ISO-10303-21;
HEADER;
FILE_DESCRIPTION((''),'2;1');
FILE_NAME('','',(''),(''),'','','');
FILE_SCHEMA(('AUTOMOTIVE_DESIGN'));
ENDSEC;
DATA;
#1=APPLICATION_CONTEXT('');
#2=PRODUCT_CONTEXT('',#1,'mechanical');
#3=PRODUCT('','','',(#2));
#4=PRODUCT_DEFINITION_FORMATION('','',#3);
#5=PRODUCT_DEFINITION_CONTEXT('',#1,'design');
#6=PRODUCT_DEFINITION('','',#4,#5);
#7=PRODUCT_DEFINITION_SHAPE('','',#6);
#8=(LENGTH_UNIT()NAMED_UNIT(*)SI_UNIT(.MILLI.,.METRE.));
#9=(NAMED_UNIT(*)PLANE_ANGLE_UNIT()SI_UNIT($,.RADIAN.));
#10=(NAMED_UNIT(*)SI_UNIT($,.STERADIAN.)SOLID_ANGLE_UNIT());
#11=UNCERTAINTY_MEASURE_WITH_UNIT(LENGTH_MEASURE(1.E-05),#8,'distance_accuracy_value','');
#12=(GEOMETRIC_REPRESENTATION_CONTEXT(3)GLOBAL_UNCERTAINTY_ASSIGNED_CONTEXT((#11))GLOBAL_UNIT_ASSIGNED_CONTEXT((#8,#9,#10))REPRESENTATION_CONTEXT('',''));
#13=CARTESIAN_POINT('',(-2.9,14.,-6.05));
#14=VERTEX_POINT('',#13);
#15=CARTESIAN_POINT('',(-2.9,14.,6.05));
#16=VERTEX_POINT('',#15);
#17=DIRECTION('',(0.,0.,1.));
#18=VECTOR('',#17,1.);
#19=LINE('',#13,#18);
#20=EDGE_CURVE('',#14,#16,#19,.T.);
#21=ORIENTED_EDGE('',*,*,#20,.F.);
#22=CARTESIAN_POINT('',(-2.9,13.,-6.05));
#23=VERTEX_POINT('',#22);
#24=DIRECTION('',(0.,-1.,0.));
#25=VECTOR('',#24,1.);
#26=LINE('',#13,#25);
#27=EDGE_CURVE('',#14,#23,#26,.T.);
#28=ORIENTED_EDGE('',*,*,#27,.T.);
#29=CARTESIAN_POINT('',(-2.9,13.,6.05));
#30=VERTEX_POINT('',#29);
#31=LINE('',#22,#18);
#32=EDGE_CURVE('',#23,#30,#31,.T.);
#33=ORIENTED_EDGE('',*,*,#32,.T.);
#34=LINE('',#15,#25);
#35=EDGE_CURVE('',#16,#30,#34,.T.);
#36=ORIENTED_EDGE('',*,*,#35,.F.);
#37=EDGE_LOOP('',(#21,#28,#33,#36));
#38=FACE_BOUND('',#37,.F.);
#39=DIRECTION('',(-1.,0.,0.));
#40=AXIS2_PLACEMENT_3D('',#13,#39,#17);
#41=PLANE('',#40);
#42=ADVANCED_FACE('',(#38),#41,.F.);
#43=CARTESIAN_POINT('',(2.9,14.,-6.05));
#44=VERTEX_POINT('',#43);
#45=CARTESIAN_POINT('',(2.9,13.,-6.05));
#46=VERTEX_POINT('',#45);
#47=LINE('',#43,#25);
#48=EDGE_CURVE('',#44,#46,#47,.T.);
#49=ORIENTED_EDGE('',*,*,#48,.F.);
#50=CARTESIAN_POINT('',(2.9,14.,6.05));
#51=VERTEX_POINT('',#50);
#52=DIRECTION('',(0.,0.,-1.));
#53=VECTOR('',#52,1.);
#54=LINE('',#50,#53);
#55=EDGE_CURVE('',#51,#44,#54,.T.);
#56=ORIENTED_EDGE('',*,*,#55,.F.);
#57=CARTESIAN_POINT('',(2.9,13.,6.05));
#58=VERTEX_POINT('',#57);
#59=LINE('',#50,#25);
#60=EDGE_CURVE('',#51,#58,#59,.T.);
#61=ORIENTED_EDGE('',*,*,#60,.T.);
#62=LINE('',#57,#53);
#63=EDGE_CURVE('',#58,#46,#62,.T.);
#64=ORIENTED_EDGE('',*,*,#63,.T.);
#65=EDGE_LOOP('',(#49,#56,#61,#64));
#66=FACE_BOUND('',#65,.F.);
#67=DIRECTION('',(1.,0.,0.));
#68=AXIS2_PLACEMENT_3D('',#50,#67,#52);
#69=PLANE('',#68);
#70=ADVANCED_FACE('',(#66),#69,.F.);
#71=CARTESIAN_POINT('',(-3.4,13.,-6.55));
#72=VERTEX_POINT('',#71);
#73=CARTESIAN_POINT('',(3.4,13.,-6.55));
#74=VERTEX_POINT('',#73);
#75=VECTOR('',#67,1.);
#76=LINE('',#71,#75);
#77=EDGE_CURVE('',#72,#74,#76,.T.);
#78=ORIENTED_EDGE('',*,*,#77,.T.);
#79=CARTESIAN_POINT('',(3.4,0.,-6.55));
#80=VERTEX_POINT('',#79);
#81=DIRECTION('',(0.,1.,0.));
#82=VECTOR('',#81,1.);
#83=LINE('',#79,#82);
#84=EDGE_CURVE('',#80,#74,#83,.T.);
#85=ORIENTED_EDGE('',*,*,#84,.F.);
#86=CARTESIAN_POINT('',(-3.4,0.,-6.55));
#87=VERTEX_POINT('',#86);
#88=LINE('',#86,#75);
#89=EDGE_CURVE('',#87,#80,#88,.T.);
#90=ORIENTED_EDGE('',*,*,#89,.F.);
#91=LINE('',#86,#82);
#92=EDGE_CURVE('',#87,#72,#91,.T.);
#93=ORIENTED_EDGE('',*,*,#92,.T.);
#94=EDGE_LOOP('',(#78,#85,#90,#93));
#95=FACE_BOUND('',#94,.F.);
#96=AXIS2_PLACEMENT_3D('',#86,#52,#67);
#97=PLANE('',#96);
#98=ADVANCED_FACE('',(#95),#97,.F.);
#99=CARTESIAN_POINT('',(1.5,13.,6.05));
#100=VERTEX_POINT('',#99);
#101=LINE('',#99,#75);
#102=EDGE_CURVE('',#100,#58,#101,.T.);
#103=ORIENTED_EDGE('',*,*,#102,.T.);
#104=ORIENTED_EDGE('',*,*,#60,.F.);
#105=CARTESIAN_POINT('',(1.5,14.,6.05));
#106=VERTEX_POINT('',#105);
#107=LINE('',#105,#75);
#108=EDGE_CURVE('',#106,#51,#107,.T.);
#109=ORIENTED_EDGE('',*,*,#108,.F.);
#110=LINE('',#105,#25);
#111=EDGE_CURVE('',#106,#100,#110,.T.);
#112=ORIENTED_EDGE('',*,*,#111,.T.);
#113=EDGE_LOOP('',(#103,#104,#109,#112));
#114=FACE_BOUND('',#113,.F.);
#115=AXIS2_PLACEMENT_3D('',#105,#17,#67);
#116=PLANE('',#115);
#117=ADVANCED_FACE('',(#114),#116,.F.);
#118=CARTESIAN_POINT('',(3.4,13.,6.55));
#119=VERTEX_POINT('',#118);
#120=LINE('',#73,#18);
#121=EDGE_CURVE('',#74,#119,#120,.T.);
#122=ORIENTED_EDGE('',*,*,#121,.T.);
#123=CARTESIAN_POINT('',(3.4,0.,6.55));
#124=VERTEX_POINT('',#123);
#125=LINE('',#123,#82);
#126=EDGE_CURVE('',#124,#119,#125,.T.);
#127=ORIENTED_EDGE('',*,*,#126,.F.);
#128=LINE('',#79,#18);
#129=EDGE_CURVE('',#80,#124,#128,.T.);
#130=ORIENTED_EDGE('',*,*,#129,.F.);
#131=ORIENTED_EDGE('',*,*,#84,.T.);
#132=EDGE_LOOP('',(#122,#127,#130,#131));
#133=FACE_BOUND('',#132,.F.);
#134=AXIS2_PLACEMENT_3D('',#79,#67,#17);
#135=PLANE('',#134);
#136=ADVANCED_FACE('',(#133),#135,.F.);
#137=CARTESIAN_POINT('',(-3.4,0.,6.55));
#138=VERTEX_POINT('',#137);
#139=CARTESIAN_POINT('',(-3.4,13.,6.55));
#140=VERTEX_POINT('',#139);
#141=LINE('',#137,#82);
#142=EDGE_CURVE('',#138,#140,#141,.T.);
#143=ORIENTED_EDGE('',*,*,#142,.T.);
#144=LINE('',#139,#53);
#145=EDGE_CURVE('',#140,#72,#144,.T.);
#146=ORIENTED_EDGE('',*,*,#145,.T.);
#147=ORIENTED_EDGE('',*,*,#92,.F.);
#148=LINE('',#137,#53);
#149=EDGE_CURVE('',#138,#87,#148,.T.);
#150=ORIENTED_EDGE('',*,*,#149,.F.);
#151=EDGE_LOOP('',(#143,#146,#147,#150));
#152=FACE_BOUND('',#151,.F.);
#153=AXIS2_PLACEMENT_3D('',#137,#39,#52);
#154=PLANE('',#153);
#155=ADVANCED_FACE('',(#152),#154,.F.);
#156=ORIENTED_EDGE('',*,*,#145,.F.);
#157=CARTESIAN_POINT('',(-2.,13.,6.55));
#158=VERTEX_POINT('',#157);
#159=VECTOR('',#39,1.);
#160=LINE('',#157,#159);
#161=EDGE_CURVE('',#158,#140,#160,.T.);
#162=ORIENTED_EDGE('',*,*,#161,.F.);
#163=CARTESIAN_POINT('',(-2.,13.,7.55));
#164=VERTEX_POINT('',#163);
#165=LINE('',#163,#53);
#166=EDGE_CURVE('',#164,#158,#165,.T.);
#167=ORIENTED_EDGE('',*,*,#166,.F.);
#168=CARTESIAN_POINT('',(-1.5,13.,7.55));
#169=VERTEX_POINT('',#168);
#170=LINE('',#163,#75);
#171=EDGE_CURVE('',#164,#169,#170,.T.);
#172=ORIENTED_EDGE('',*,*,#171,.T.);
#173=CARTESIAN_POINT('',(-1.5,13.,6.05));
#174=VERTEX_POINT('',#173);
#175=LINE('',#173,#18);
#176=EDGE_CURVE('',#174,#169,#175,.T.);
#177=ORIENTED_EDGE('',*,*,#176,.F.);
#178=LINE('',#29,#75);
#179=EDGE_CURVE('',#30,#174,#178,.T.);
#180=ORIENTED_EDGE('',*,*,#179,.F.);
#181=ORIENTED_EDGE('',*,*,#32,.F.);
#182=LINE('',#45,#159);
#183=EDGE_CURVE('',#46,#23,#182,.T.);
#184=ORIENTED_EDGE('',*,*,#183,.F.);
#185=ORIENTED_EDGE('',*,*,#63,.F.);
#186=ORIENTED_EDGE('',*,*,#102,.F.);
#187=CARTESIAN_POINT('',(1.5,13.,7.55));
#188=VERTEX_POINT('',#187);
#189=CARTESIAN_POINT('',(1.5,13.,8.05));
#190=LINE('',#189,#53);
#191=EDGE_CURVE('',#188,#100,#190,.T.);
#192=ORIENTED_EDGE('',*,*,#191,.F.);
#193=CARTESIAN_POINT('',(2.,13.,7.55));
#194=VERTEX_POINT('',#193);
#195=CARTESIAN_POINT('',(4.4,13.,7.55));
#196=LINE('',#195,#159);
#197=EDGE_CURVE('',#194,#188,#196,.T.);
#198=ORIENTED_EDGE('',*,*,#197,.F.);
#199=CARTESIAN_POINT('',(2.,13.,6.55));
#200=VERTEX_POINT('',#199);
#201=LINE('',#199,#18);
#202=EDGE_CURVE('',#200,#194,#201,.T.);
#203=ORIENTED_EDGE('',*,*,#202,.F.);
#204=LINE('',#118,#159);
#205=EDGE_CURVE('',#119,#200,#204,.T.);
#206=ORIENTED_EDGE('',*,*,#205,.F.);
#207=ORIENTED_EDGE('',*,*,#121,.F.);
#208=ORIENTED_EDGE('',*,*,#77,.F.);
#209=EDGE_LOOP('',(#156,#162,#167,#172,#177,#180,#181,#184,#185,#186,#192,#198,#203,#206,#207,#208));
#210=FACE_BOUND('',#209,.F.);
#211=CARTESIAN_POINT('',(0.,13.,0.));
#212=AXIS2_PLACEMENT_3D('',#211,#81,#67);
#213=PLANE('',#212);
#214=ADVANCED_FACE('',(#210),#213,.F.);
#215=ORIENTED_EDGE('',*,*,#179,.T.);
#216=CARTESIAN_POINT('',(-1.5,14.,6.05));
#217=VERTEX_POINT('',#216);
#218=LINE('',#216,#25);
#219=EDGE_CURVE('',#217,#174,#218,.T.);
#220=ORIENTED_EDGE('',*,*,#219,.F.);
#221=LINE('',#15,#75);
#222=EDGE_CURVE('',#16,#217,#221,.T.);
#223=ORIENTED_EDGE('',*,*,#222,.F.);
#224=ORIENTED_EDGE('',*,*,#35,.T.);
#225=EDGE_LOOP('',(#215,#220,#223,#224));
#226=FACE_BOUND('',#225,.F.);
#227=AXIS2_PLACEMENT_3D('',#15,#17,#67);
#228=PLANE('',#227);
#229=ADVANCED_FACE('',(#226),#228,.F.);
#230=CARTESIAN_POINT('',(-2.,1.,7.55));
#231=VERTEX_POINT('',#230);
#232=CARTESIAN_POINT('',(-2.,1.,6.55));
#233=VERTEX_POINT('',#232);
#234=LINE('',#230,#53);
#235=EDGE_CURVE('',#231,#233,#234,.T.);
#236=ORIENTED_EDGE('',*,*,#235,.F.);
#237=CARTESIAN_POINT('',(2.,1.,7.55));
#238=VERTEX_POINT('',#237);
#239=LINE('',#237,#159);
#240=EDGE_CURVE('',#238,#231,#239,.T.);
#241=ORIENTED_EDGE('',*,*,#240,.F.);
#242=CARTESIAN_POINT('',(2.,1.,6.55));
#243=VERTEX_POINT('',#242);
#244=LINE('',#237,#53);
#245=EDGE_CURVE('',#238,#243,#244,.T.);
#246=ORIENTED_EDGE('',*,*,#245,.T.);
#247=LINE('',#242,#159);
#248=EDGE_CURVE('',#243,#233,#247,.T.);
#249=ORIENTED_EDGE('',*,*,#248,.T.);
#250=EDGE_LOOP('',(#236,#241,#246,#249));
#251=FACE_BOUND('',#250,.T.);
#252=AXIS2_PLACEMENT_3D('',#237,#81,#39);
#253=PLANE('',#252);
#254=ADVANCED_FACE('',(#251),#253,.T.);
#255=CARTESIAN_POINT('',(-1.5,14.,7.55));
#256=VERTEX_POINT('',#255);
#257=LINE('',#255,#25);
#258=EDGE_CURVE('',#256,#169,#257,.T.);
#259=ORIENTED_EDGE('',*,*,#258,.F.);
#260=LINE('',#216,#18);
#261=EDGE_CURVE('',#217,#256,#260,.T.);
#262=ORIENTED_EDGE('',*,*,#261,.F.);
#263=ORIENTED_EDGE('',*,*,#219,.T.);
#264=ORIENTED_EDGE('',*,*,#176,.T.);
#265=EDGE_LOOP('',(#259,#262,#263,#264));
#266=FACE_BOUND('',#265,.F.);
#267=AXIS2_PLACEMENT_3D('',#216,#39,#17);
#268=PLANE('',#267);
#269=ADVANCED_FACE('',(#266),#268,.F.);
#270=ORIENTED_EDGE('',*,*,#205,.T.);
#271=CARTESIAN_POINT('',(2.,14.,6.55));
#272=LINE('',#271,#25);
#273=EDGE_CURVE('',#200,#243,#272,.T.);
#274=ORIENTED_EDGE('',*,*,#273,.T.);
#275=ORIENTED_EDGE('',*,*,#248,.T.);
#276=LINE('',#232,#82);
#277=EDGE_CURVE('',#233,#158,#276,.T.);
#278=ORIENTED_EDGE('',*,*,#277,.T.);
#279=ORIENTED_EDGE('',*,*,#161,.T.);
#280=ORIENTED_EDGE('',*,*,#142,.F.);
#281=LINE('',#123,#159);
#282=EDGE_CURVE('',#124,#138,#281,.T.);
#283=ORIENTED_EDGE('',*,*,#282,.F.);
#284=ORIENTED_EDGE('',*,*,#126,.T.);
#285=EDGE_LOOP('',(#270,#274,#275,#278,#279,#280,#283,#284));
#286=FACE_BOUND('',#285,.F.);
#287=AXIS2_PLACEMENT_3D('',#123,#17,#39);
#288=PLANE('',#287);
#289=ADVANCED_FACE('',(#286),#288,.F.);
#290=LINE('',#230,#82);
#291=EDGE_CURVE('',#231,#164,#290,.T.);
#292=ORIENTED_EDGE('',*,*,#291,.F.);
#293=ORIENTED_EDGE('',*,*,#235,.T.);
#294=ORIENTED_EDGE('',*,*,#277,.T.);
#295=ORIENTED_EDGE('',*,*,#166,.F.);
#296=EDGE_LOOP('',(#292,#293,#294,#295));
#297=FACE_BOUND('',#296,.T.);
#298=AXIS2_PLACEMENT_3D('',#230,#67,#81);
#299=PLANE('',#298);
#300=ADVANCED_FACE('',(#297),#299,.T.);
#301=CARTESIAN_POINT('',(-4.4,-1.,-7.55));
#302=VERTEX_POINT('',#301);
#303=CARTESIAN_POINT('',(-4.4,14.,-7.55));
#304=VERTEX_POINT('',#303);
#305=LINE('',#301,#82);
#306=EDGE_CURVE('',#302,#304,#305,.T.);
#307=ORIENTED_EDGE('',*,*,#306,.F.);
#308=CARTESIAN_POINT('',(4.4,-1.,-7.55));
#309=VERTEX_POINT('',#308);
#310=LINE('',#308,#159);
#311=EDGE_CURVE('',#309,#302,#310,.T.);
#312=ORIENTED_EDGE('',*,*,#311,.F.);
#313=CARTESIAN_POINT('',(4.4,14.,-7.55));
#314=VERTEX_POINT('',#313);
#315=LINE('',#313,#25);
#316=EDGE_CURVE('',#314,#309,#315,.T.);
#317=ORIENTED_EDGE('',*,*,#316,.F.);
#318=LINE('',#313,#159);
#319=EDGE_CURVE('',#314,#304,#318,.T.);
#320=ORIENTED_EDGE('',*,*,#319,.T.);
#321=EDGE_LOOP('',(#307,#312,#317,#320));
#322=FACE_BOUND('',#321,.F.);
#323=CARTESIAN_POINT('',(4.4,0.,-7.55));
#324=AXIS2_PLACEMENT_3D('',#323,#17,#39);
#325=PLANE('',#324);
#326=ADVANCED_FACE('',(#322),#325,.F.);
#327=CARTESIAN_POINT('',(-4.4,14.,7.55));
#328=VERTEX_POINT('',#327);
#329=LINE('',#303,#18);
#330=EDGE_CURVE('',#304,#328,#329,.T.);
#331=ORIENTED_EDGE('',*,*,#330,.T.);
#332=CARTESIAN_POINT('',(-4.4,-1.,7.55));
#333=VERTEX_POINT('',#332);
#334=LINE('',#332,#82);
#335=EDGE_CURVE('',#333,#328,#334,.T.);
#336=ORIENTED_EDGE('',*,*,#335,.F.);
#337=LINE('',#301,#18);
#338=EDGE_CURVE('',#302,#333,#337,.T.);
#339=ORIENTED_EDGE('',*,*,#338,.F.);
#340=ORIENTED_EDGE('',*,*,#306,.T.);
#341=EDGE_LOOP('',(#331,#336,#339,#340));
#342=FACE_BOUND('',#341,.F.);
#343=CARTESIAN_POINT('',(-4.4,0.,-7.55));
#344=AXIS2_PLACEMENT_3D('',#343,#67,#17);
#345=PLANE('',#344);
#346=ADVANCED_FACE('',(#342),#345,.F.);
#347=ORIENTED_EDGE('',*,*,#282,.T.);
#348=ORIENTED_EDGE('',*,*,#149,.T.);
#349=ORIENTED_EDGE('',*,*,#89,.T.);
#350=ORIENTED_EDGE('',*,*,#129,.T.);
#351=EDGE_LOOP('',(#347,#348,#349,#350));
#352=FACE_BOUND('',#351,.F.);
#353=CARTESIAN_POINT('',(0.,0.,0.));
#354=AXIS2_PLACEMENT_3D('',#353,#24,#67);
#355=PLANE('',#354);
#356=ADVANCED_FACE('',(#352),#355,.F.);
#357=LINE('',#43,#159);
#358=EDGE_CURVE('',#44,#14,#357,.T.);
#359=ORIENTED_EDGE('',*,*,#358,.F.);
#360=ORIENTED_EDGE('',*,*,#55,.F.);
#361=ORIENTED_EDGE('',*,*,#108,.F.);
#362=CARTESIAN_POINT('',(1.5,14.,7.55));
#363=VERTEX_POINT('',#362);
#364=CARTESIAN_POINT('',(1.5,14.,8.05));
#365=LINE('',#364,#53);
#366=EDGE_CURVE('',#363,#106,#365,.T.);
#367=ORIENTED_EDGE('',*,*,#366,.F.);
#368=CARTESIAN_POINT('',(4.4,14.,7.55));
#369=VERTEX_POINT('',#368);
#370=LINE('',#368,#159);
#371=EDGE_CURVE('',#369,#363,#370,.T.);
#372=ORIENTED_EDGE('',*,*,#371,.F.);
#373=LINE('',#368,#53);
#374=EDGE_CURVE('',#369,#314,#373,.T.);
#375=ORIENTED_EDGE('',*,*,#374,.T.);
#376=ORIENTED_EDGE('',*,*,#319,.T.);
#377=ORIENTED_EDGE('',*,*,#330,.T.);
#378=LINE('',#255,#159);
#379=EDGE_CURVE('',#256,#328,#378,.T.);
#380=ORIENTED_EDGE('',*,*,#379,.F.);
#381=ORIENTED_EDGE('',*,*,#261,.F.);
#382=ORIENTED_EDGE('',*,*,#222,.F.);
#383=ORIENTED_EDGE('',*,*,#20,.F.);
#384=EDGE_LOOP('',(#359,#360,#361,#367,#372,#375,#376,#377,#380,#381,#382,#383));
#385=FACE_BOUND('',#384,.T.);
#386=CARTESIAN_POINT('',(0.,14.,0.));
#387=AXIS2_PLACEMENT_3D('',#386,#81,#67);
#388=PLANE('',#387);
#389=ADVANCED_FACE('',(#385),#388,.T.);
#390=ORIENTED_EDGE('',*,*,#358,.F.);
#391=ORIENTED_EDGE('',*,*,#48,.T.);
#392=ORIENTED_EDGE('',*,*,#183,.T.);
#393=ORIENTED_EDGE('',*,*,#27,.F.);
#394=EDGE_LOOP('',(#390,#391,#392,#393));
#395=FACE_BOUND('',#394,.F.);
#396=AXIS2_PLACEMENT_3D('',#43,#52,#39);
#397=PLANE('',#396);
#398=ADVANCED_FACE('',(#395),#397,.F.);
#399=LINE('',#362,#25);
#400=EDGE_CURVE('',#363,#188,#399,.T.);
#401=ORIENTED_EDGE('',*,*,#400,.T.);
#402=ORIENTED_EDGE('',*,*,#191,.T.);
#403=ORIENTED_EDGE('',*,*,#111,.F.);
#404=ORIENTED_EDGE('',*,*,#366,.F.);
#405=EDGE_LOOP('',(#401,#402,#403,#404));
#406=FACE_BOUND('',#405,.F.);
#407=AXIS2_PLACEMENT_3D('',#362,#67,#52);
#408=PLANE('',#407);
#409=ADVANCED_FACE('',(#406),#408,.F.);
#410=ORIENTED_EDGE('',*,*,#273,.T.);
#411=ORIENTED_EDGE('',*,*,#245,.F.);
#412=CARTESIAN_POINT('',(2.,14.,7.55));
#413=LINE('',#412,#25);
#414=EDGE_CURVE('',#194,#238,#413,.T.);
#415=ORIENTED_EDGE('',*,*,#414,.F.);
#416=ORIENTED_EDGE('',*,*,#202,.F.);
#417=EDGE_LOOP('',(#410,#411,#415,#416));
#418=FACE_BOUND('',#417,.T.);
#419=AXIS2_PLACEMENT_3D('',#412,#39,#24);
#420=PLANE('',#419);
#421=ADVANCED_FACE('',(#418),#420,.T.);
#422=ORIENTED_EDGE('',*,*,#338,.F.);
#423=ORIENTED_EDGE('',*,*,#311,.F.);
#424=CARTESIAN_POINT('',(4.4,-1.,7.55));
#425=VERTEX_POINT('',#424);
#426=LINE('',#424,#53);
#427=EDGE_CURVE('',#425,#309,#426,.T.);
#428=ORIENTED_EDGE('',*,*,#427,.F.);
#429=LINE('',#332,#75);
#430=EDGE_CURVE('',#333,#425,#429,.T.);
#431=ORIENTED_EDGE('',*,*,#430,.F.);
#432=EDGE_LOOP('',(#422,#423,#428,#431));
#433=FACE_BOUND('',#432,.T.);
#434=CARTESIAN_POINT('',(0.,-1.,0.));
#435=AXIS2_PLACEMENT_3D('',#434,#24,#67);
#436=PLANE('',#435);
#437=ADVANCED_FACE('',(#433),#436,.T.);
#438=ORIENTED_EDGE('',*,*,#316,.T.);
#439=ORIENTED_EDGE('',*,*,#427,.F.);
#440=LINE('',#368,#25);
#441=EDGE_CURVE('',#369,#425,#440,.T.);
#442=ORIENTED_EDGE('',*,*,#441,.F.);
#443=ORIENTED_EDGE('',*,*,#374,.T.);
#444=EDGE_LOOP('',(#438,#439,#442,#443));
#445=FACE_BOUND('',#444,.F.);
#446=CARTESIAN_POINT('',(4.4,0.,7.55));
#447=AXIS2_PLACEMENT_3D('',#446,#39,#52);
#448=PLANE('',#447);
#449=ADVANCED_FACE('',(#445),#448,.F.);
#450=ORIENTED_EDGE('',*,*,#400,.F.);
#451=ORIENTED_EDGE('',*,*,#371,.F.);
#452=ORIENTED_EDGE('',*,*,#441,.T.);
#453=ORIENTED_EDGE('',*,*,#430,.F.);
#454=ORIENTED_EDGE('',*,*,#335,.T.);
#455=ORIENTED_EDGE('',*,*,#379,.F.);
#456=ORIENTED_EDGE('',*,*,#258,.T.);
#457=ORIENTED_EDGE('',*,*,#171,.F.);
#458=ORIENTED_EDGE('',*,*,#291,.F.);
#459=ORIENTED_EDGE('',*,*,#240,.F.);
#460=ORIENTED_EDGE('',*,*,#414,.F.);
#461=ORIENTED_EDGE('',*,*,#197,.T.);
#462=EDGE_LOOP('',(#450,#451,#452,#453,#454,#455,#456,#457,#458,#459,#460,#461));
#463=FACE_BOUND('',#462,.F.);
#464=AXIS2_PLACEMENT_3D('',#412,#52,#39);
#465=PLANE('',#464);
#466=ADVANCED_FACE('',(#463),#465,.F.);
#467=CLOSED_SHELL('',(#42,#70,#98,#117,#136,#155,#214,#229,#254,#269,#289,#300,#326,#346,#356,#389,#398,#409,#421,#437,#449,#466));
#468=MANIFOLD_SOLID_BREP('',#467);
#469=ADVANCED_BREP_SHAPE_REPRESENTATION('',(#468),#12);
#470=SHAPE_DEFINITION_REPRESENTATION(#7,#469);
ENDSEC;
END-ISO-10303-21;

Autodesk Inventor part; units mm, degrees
ref_plane "YZ Plane" through (0, 0, 0) normal (1, 0, 0) x (0, 1, 0)
ref_plane "XZ Plane" through (0, 0, 0) normal (0, 1, 0) x (-1, 0, 0)
ref_plane "XY Plane" through (0, 0, 0) normal (0, 0, 1) x (1, 0, 0)
sketch "Sketch1" plane through (0, 0, 0) normal (0, 1, 0) x (-1, 0, 0)
  line L0 (-3.4, 6.55) -> (3.4, 6.55)
  line L1 (3.4, 6.55) -> (3.4, -6.55)
  line L2 (3.4, -6.55) -> (-3.4, -6.55)
  line L3 (-3.4, -6.55) -> (-3.4, 6.55)
  line L4 (-3.4, 6.55) -> (3.4, -6.55) construction
  line L5 (3.4, 6.55) -> (-3.4, -6.55) construction
  line L6 (4.4, -7.55) -> (4.4, 7.55)
  line L7 (4.4, 7.55) -> (-4.4, 7.55)
  line L8 (-4.4, 7.55) -> (-4.4, -7.55)
  line L9 (-4.4, -7.55) -> (4.4, -7.55)
  point P0 (0, 0)
  dimension "d0" = 6.8
  dimension "d1" = 13.1
  dimension "d2" = 1
extrude "Extrusion1" add sketch "Sketch1" along normal blind 14
sketch "Sketch3" plane through (0, 0, 0) normal (0, -1, 0) x (1, 0, 0)
  line L0 (-4.4, 7.55) -> (4.4, 7.55) projected
  line L1 (-4.4, -7.55) -> (-4.4, 7.55) projected
  line L2 (4.4, -7.55) -> (-4.4, -7.55) projected
  line L3 (4.4, 7.55) -> (4.4, -7.55) projected
  line L4 (-3.4, -6.55) -> (3.4, -6.55) projected
  line L5 (-3.4, 6.55) -> (-3.4, -6.55) projected
  line L6 (3.4, 6.55) -> (-3.4, 6.55) projected
  line L7 (3.4, -6.55) -> (3.4, 6.55) projected
  point P0 (0, 0)
extrude "Extrusion2" add sketch "Sketch3" along normal blind 1 contours L0 L3 L2 L1 | L5 L6 L7 L4
sketch "Sketch4" plane through (-4.4, 14, 7.55) normal (0, 0, 1) x (1, 0, 0)
  line L0 (0, 0) -> (8.8, 0) projected
  line L1 (2.4, 0) -> (6.4, 0)
  line L2 (6.4, 0) -> (6.4, -13)
  line L3 (6.4, -13) -> (2.4, -13)
  line L4 (2.4, -13) -> (2.4, 0)
  point P0 (4.4, -14)
  point P1 (4.4, 0)
  point P2 (4.4, 0)
  point P3 (6.4, 0)
  dimension "d7" = 1
  dimension "d8" = 4
extrude "Extrusion3" cut sketch "Sketch4" against normal up to surface (1 mm away)
sketch "Sketch5" plane through (0, 14, 0) normal (0, 1, 0) x (1, 0, 0)
  line L0 (2, -6.55) -> (2, -7.55) projected
  line L1 (2, -7.55) -> (4.4, -7.55) projected
  line L2 (4.4, -7.55) -> (4.4, 7.55) projected
  line L3 (4.4, 7.55) -> (-4.4, 7.55) projected
  line L4 (-4.4, 7.55) -> (-4.4, -7.55) projected
  line L5 (-4.4, -7.55) -> (-2, -7.55) projected
  line L6 (-2, -7.55) -> (-2, -6.55) projected
  line L7 (-2, -6.55) -> (-3.4, -6.55) projected
  line L8 (-3.4, -6.55) -> (-3.4, 6.55) projected
  line L9 (-3.4, 6.55) -> (3.4, 6.55) projected
  line L10 (3.4, 6.55) -> (3.4, -6.55) projected
  line L11 (3.4, -6.55) -> (2, -6.55) projected
  line L12 (-2.9, 6.05) -> (-2.9, -6.05)
  line L13 (-2.9, -6.05) -> (-1.5, -6.05)
  line L14 (-1.5, -6.05) -> (-1.5, -8.05)
  line L15 (-1.5, -8.05) -> (-4.9, -8.05)
  line L16 (-4.9, -8.05) -> (-4.9, 8.05)
  line L17 (-4.9, 8.05) -> (4.9, 8.05)
  line L18 (4.9, 8.05) -> (4.9, -8.05)
  line L19 (4.9, -8.05) -> (1.5, -8.05)
  line L20 (1.5, -8.05) -> (1.5, -6.05)
  line L21 (1.5, -6.05) -> (2.9, -6.05)
  line L22 (2.9, -6.05) -> (2.9, 6.05)
  line L23 (2.9, 6.05) -> (-2.9, 6.05)
  line L24 (-4.4, -7.55) -> (-2, -7.55) projected
  line L25 (-2, -7.55) -> (-1.5, -7.55)
  line L26 (4.4, -7.55) -> (-4.4, -7.55) projected
  line L27 (2, -7.55) -> (2, -6.55) projected
  line L28 (2, -7.55) -> (1.5, -7.55)
  point P0 (0, 0)
  point P1 (1.5, -7.55)
  dimension "d11" = 0.5
extrude "Extrusion4" add sketch "Sketch5" against normal blind 1 contours L0 L26 L20 L21 L22 L23 L12 L13 L14 L25 L6 L7 L8 L9 L10 L11
properties part number "SwitchHolder" material "Thermoplastic Resin"
